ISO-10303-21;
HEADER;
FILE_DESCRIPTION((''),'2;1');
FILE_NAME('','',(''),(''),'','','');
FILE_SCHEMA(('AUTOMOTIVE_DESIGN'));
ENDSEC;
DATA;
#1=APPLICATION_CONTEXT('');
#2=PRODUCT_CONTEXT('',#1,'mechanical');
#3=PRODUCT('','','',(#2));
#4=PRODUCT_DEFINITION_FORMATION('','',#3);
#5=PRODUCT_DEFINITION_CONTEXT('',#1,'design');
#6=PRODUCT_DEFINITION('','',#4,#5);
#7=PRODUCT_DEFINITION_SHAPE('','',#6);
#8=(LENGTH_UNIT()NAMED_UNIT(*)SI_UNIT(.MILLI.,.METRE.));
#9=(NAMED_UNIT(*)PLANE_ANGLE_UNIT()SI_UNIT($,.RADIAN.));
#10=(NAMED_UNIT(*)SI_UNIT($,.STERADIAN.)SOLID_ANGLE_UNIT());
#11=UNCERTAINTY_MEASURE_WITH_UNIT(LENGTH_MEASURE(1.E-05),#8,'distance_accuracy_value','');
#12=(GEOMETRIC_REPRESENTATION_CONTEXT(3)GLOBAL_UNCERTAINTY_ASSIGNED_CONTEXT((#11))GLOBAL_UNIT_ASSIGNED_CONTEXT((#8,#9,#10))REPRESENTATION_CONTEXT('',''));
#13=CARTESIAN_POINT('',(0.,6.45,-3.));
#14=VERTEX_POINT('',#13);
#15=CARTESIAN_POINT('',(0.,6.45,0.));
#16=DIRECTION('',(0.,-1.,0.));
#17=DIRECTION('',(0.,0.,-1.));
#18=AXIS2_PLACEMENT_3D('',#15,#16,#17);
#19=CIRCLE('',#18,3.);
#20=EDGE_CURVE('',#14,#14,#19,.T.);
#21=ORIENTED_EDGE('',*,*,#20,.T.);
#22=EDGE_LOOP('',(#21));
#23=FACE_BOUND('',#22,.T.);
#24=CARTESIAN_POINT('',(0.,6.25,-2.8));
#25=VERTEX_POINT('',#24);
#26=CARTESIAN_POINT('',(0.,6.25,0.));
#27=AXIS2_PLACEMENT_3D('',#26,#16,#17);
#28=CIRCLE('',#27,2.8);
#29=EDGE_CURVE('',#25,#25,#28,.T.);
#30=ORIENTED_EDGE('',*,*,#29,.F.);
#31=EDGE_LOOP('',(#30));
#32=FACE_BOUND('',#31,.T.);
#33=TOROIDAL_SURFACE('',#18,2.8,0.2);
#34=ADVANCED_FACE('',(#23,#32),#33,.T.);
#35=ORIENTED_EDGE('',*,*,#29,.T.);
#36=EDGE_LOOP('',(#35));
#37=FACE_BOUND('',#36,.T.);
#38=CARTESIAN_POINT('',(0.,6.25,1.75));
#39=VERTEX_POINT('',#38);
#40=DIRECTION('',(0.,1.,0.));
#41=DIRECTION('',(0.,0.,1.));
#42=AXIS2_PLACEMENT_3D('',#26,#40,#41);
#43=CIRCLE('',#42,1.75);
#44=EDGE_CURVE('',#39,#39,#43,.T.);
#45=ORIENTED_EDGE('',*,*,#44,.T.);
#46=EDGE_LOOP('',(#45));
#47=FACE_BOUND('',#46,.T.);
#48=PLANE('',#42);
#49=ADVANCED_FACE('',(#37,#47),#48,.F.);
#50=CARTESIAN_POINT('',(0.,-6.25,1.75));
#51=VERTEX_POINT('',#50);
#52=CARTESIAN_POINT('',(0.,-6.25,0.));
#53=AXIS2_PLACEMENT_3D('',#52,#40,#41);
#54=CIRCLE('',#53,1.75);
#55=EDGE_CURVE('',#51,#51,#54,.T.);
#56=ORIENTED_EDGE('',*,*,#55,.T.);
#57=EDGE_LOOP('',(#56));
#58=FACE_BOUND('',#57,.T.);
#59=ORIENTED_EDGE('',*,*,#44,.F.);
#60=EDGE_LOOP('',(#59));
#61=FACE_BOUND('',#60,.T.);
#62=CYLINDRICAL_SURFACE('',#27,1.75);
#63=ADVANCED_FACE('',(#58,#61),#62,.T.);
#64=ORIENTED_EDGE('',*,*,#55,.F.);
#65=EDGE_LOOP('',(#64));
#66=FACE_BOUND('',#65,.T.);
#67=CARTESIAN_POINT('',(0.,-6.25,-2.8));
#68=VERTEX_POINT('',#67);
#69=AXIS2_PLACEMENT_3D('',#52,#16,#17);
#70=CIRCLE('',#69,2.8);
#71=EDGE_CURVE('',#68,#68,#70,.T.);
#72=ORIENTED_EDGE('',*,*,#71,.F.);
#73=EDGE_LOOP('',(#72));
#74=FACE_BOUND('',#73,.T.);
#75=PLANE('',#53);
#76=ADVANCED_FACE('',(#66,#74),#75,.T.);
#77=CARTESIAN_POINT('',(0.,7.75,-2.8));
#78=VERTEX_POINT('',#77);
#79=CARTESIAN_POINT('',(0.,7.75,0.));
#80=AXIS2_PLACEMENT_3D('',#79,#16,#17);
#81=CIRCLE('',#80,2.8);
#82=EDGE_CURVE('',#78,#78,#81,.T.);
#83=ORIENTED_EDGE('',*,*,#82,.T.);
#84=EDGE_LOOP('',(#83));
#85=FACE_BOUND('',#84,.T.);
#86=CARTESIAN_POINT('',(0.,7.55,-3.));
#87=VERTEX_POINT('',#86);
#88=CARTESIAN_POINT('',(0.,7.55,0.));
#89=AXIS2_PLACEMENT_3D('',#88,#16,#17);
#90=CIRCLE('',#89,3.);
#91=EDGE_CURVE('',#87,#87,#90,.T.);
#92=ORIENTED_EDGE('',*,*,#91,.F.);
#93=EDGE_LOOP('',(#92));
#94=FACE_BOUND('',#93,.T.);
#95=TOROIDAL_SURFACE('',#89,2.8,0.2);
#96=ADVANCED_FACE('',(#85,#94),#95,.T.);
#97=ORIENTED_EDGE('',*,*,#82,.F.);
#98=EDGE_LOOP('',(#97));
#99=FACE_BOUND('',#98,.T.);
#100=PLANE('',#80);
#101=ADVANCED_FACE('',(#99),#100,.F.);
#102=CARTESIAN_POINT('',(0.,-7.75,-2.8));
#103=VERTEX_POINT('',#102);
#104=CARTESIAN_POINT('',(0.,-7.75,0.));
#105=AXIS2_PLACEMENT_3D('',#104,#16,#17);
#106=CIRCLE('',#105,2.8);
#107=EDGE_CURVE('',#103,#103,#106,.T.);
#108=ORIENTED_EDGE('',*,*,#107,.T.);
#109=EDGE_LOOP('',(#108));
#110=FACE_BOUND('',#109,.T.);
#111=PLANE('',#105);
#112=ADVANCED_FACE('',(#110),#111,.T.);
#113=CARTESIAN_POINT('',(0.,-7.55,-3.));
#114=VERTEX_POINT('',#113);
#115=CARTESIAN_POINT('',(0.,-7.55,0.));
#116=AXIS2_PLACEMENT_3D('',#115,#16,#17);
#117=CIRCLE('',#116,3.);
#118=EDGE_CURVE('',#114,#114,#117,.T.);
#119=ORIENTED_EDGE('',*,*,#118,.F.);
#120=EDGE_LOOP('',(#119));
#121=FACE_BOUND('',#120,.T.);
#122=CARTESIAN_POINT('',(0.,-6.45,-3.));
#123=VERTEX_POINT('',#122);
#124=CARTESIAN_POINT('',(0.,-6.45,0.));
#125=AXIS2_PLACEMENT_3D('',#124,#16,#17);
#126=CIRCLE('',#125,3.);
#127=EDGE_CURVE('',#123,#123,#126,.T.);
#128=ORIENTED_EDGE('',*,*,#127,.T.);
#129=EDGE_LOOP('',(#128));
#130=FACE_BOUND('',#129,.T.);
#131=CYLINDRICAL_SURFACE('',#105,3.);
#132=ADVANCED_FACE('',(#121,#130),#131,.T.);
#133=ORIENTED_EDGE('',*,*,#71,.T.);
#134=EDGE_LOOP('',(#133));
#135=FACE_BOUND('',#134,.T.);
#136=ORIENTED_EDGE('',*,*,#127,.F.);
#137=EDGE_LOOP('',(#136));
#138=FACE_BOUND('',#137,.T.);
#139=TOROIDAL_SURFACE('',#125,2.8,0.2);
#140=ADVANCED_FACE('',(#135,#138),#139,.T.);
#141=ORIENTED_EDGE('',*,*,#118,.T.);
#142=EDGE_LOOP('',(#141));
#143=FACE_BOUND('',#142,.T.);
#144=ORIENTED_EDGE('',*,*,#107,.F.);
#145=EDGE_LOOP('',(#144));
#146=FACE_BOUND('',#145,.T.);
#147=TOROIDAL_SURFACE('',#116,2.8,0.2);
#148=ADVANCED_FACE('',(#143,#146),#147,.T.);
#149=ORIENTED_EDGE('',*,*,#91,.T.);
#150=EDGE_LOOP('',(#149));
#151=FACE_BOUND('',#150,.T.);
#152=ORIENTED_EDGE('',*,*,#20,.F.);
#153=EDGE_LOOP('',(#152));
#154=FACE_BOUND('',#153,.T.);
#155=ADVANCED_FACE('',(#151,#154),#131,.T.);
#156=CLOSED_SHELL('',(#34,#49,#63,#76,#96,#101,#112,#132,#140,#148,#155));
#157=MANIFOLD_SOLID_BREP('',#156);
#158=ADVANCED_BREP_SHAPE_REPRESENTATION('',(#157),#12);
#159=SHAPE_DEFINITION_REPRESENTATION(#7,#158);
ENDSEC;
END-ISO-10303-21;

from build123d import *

# Parameters (mm, degrees)
SKETCH1_R           = 1.75
BOSS_EXTRUDE1_DEPTH = 6.25


with BuildPart() as part:
    # Sketch1 → Boss-Extrude1 (new, symmetric)
    with BuildSketch(Plane(origin=(0, 0, 0), x_dir=(1, 0, 0), z_dir=(0, 1, 0))):
        with Locations(Location((0, 0, 0), (0, 0, 270))):
            Circle(SKETCH1_R)
    extrude(amount=BOSS_EXTRUDE1_DEPTH, both=True)

    # Sketch2 → Revolve1 (revolve)
    with BuildSketch(Plane.XY, mode=Mode.PRIVATE) as revolve1_sk:
        with BuildLine():
            Line((-2.8, 6.25), (0, 6.25))
            Line((0, 6.25), (0, 7.75))
            Line((0, 7.75), (-2.8, 7.75))
            ThreePointArc((-2.8, 7.75), (-2.941421356, 7.691421356), (-3, 7.55))
            Line((-3, 7.55), (-3, 6.45))
            ThreePointArc((-3, 6.45), (-2.941421356, 6.308578644), (-2.8, 6.25))
        make_face()
        with BuildLine():
            Line((-2.8, -7.75), (0, -7.75))
            Line((0, -7.75), (0, -6.25))
            Line((0, -6.25), (-2.8, -6.25))
            ThreePointArc((-2.8, -6.25), (-2.941421356, -6.308578644), (-3, -6.45))
            Line((-3, -6.45), (-3, -7.55))
            ThreePointArc((-3, -7.55), (-2.941421356, -7.691421356), (-2.8, -7.75))
        make_face()
    revolve(revolve1_sk.sketch.rotate(Axis((0, -7.75, 0), (0, 1, 0)), 270), axis=Axis((0, -7.75, 0), (0, 1, 0)))


solid = part.part
